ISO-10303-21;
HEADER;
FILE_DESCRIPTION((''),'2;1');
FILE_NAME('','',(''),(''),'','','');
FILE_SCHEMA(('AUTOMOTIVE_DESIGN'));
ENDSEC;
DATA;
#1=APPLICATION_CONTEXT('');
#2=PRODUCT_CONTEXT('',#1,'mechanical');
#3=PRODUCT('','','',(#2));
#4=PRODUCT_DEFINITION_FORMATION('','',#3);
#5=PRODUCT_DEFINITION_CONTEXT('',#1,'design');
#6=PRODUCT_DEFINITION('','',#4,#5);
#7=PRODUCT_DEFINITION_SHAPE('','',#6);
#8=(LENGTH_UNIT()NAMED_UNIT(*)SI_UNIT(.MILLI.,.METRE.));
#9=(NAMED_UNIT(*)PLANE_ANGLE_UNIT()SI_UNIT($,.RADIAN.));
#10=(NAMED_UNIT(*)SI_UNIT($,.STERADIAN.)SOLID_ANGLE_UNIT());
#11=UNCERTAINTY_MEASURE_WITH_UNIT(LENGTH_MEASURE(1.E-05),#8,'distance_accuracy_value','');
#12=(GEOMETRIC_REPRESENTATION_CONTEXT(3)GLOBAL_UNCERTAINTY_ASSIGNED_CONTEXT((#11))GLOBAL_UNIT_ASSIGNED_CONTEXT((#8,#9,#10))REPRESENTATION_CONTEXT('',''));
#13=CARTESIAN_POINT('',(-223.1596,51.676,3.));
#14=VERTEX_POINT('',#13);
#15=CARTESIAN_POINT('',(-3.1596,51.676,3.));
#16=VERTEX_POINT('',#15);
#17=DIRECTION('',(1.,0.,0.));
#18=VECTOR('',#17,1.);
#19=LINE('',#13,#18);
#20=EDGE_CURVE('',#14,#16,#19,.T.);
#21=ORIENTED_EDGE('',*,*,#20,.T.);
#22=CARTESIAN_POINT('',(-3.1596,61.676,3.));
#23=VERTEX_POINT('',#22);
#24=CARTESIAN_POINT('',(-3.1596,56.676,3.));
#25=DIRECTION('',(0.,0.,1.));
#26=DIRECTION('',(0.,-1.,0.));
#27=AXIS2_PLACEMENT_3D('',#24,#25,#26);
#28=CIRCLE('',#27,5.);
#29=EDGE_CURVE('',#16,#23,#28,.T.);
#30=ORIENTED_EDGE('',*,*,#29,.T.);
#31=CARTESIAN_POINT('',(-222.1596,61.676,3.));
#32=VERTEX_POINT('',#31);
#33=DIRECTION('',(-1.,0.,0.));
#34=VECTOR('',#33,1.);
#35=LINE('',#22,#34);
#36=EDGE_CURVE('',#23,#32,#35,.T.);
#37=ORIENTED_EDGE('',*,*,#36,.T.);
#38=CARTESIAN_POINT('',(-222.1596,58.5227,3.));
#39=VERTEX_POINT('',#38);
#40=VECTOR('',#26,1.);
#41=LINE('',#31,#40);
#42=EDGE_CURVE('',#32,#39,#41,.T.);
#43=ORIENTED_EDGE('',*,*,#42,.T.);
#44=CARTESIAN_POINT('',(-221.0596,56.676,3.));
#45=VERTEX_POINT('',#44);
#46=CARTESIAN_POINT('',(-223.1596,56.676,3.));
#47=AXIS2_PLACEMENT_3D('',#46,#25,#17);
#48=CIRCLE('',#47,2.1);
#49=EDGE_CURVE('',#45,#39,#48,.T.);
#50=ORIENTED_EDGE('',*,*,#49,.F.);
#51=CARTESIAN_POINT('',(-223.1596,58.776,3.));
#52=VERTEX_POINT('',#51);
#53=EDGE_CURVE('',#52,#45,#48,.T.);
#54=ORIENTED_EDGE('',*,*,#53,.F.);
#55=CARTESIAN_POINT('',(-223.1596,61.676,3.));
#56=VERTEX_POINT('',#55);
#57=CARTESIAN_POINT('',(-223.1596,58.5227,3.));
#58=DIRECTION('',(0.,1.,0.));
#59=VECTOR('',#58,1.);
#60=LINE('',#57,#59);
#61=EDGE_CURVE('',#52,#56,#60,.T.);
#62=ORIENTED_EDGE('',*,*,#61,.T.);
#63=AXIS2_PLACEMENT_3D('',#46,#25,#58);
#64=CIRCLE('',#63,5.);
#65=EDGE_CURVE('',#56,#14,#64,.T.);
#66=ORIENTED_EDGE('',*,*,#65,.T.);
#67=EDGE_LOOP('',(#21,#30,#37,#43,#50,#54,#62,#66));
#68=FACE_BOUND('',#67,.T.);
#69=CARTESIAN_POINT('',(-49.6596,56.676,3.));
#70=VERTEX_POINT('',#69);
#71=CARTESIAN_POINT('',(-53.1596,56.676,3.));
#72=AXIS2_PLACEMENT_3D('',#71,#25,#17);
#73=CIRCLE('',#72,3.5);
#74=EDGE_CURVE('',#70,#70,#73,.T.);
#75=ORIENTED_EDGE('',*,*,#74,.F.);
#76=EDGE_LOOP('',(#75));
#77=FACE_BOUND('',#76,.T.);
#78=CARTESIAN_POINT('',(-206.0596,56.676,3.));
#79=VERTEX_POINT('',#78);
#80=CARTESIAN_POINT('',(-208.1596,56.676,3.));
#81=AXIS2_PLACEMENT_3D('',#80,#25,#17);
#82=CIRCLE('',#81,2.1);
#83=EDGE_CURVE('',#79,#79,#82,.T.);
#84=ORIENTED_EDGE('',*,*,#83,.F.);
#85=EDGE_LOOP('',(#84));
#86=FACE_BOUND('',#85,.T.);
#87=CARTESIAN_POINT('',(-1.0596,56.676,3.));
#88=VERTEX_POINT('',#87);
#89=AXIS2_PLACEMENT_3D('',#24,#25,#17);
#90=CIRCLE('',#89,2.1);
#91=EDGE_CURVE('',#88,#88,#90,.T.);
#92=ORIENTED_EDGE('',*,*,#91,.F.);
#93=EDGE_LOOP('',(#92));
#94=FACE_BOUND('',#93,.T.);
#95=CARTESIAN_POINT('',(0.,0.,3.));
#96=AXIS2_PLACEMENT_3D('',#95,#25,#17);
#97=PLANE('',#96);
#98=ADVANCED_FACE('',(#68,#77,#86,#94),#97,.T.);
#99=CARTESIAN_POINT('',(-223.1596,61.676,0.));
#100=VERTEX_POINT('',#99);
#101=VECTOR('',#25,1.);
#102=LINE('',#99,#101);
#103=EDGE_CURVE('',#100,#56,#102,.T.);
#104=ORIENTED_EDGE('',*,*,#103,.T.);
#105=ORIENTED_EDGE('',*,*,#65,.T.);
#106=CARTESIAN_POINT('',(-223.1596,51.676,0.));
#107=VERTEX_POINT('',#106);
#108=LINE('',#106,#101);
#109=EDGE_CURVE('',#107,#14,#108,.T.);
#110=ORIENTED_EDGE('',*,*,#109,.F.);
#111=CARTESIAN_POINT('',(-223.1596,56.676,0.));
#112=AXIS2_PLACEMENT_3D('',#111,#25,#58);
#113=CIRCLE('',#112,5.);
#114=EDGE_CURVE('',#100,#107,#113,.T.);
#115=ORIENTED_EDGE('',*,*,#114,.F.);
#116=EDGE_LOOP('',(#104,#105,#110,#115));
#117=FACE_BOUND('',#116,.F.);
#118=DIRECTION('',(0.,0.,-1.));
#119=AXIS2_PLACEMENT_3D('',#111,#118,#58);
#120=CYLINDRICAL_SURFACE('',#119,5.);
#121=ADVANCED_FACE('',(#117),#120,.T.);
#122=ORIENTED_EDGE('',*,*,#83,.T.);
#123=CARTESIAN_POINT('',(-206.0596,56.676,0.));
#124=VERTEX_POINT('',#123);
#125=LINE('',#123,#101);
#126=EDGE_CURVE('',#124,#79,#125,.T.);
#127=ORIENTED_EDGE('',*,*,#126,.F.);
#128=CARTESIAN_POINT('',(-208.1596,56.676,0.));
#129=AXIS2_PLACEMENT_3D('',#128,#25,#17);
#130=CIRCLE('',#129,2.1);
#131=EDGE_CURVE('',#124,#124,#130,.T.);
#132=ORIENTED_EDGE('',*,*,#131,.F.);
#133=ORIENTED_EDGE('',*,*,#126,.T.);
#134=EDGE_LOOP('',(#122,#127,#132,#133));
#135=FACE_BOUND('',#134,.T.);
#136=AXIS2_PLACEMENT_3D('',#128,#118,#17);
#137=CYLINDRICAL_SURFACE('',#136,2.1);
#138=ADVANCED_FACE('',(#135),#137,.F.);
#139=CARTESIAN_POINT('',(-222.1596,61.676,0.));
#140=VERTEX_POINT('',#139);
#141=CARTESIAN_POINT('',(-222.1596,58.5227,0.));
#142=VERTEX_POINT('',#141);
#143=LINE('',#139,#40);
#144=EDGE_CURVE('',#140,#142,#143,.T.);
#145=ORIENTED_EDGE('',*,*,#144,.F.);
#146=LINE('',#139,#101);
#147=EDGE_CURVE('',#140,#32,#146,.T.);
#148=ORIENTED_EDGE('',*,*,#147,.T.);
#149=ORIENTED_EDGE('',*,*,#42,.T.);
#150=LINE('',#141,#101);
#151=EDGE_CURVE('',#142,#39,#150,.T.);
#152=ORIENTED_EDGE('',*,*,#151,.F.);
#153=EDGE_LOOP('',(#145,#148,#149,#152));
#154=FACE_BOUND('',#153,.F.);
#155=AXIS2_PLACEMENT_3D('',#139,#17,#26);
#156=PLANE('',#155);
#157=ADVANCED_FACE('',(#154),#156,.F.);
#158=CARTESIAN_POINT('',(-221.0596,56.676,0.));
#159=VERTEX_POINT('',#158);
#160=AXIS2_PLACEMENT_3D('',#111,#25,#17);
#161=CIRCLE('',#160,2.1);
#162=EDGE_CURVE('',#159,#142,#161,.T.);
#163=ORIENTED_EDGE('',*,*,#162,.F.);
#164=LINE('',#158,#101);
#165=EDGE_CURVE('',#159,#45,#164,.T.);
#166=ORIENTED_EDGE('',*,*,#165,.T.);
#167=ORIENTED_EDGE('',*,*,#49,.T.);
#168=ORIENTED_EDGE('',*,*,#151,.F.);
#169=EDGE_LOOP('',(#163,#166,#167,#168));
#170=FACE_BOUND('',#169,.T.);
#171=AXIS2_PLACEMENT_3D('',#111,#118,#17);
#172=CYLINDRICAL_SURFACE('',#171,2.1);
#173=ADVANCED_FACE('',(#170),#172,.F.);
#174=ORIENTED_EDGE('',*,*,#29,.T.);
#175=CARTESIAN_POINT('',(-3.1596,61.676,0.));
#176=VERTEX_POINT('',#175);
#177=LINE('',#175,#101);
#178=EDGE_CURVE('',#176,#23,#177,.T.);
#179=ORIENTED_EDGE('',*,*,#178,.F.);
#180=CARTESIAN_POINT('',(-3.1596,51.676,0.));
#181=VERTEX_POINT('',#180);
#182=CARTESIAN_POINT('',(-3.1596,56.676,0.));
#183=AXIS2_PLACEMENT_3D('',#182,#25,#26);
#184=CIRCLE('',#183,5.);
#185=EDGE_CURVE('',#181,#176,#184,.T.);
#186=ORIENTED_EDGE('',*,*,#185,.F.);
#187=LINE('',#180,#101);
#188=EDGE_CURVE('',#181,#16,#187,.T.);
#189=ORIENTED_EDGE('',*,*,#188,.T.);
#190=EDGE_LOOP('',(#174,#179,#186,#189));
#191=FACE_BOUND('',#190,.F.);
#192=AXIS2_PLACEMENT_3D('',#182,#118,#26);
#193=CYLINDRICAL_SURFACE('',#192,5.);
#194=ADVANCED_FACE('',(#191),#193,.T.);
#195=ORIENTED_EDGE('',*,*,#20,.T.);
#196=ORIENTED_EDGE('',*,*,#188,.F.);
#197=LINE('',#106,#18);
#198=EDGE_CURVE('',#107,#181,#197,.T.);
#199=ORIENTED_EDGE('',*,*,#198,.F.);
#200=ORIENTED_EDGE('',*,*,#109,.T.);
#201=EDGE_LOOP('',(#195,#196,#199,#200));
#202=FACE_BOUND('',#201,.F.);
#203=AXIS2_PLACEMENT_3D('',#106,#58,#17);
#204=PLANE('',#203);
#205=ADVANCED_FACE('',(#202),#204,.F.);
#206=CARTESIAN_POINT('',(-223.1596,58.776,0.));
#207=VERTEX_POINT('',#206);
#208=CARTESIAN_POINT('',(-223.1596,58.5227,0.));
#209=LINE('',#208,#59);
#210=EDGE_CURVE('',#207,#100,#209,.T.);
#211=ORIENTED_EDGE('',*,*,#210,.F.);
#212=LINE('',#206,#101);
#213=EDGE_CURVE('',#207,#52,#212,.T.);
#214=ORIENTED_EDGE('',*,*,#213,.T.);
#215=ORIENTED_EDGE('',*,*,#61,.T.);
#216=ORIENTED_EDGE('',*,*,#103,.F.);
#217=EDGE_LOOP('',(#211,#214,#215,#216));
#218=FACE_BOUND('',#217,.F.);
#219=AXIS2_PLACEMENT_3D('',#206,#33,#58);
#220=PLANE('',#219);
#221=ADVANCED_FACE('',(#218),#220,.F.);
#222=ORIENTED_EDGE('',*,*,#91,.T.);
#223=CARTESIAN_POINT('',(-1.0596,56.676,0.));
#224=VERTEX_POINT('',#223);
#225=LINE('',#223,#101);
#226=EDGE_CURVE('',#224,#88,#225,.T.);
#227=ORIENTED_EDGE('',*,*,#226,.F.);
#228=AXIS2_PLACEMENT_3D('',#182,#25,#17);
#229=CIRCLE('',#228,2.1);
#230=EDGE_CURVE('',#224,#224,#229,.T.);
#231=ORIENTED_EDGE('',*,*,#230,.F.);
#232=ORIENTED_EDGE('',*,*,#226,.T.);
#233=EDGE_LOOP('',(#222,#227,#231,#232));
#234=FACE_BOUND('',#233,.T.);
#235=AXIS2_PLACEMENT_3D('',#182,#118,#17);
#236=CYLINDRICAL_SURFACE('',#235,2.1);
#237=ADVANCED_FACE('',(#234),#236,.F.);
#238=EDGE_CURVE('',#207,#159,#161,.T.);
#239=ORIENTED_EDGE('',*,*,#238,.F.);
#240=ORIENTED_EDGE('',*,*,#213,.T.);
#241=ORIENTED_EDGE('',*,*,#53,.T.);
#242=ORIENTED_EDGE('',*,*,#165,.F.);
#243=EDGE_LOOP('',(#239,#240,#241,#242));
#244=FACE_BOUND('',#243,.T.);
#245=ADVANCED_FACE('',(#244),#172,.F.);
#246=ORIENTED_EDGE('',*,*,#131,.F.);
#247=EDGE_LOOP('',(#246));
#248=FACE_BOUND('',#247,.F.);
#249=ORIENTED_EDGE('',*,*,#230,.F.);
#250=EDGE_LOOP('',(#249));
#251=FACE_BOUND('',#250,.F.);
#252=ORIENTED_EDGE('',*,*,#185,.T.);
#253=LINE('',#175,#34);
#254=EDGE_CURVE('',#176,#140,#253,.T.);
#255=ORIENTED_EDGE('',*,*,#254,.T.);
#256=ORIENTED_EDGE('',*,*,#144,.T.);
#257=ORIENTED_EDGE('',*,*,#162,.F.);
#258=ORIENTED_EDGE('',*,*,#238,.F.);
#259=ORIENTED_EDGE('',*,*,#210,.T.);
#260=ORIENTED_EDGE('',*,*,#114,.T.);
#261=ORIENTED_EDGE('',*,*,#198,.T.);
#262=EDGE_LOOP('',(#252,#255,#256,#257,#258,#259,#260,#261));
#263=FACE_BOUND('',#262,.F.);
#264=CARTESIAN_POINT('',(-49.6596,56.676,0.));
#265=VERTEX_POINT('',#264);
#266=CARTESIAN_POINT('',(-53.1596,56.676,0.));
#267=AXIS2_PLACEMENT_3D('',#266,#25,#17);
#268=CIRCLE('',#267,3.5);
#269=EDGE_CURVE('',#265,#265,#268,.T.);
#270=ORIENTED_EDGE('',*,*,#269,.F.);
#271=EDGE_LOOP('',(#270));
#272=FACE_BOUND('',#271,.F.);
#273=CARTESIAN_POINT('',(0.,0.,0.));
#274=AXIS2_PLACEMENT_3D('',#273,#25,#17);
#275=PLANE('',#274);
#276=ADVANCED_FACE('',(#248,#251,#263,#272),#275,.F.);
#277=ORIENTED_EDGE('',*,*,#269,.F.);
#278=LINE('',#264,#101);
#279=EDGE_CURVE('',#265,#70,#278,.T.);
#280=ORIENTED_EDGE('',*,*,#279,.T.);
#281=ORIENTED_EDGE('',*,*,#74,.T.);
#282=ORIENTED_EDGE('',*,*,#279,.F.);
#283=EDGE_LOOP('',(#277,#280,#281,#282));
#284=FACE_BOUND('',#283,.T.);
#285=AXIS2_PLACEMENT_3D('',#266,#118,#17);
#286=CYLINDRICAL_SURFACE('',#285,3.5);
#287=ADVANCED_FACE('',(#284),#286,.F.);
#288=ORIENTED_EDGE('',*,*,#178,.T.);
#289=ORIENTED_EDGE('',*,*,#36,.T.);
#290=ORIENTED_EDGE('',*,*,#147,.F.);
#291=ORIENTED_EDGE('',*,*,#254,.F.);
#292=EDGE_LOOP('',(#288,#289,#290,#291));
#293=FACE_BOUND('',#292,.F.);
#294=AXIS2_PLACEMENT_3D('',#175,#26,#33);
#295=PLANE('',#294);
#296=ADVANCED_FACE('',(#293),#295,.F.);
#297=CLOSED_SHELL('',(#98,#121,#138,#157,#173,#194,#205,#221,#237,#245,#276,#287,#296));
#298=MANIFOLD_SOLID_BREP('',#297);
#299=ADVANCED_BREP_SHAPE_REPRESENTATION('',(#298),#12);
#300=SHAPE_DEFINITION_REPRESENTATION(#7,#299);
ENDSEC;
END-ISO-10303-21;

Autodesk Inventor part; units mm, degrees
ref_plane "YZ Plane" through (0, 0, 0) normal (1, 0, 0) x (0, 1, 0)
ref_plane "XZ Plane" through (0, 0, 0) normal (0, 1, 0) x (-1, 0, 0)
ref_plane "XY Plane" through (0, 0, 0) normal (0, 0, 1) x (1, 0, 0)
sketch "草圖1" plane through (0, 0, 0) normal (0, 0, 1) x (1, 0, 0)
  line L0 (-223.1596, 56.676) -> (-3.1596, 56.676) construction
  line L1 (-223.1596, 51.676) -> (-3.1596, 51.676)
  line L2 (-3.1596, 61.676) -> (-223.1596, 61.676)
  arc A0 (-223.1596, 61.676) -> (-223.1596, 51.676) centre (-223.1596, 56.676) ccw
  arc A1 (-3.1596, 51.676) -> (-3.1596, 61.676) centre (-3.1596, 56.676) ccw
  circle A2 centre (-223.1596, 56.676) radius 2.1
  circle A3 centre (-3.1596, 56.676) radius 2.1
  circle A4 centre (-208.1596, 56.676) radius 2.1
  circle A5 centre (-53.1596, 56.676) radius 3.5
  line L3 (-223.1596, 61.676) -> (-222.1596, 61.676)
  line L4 (-222.1596, 61.676) -> (-222.1596, 58.5227)
  line L5 (-222.1596, 58.5227) -> (-223.1596, 58.5227)
  line L6 (-223.1596, 58.5227) -> (-223.1596, 61.676)
  point P0 (0, 0)
  point P1 (-113.1596, 56.676)
  point P2 (-223.1596, 58.776)
  dimension "d2" = 4.2
  dimension "d0" = 220
  dimension "d1" = 10
  dimension "d3" = 4.2
  dimension "d4" = 4.2
  dimension "d5" = 15
  dimension "d8" = 7
  dimension "d9" = 50
  dimension "d10" = 1
extrude "擠出1" add sketch "草圖1" along normal blind 3 contours A0 L6 A2 L4 L2 A1 L1
